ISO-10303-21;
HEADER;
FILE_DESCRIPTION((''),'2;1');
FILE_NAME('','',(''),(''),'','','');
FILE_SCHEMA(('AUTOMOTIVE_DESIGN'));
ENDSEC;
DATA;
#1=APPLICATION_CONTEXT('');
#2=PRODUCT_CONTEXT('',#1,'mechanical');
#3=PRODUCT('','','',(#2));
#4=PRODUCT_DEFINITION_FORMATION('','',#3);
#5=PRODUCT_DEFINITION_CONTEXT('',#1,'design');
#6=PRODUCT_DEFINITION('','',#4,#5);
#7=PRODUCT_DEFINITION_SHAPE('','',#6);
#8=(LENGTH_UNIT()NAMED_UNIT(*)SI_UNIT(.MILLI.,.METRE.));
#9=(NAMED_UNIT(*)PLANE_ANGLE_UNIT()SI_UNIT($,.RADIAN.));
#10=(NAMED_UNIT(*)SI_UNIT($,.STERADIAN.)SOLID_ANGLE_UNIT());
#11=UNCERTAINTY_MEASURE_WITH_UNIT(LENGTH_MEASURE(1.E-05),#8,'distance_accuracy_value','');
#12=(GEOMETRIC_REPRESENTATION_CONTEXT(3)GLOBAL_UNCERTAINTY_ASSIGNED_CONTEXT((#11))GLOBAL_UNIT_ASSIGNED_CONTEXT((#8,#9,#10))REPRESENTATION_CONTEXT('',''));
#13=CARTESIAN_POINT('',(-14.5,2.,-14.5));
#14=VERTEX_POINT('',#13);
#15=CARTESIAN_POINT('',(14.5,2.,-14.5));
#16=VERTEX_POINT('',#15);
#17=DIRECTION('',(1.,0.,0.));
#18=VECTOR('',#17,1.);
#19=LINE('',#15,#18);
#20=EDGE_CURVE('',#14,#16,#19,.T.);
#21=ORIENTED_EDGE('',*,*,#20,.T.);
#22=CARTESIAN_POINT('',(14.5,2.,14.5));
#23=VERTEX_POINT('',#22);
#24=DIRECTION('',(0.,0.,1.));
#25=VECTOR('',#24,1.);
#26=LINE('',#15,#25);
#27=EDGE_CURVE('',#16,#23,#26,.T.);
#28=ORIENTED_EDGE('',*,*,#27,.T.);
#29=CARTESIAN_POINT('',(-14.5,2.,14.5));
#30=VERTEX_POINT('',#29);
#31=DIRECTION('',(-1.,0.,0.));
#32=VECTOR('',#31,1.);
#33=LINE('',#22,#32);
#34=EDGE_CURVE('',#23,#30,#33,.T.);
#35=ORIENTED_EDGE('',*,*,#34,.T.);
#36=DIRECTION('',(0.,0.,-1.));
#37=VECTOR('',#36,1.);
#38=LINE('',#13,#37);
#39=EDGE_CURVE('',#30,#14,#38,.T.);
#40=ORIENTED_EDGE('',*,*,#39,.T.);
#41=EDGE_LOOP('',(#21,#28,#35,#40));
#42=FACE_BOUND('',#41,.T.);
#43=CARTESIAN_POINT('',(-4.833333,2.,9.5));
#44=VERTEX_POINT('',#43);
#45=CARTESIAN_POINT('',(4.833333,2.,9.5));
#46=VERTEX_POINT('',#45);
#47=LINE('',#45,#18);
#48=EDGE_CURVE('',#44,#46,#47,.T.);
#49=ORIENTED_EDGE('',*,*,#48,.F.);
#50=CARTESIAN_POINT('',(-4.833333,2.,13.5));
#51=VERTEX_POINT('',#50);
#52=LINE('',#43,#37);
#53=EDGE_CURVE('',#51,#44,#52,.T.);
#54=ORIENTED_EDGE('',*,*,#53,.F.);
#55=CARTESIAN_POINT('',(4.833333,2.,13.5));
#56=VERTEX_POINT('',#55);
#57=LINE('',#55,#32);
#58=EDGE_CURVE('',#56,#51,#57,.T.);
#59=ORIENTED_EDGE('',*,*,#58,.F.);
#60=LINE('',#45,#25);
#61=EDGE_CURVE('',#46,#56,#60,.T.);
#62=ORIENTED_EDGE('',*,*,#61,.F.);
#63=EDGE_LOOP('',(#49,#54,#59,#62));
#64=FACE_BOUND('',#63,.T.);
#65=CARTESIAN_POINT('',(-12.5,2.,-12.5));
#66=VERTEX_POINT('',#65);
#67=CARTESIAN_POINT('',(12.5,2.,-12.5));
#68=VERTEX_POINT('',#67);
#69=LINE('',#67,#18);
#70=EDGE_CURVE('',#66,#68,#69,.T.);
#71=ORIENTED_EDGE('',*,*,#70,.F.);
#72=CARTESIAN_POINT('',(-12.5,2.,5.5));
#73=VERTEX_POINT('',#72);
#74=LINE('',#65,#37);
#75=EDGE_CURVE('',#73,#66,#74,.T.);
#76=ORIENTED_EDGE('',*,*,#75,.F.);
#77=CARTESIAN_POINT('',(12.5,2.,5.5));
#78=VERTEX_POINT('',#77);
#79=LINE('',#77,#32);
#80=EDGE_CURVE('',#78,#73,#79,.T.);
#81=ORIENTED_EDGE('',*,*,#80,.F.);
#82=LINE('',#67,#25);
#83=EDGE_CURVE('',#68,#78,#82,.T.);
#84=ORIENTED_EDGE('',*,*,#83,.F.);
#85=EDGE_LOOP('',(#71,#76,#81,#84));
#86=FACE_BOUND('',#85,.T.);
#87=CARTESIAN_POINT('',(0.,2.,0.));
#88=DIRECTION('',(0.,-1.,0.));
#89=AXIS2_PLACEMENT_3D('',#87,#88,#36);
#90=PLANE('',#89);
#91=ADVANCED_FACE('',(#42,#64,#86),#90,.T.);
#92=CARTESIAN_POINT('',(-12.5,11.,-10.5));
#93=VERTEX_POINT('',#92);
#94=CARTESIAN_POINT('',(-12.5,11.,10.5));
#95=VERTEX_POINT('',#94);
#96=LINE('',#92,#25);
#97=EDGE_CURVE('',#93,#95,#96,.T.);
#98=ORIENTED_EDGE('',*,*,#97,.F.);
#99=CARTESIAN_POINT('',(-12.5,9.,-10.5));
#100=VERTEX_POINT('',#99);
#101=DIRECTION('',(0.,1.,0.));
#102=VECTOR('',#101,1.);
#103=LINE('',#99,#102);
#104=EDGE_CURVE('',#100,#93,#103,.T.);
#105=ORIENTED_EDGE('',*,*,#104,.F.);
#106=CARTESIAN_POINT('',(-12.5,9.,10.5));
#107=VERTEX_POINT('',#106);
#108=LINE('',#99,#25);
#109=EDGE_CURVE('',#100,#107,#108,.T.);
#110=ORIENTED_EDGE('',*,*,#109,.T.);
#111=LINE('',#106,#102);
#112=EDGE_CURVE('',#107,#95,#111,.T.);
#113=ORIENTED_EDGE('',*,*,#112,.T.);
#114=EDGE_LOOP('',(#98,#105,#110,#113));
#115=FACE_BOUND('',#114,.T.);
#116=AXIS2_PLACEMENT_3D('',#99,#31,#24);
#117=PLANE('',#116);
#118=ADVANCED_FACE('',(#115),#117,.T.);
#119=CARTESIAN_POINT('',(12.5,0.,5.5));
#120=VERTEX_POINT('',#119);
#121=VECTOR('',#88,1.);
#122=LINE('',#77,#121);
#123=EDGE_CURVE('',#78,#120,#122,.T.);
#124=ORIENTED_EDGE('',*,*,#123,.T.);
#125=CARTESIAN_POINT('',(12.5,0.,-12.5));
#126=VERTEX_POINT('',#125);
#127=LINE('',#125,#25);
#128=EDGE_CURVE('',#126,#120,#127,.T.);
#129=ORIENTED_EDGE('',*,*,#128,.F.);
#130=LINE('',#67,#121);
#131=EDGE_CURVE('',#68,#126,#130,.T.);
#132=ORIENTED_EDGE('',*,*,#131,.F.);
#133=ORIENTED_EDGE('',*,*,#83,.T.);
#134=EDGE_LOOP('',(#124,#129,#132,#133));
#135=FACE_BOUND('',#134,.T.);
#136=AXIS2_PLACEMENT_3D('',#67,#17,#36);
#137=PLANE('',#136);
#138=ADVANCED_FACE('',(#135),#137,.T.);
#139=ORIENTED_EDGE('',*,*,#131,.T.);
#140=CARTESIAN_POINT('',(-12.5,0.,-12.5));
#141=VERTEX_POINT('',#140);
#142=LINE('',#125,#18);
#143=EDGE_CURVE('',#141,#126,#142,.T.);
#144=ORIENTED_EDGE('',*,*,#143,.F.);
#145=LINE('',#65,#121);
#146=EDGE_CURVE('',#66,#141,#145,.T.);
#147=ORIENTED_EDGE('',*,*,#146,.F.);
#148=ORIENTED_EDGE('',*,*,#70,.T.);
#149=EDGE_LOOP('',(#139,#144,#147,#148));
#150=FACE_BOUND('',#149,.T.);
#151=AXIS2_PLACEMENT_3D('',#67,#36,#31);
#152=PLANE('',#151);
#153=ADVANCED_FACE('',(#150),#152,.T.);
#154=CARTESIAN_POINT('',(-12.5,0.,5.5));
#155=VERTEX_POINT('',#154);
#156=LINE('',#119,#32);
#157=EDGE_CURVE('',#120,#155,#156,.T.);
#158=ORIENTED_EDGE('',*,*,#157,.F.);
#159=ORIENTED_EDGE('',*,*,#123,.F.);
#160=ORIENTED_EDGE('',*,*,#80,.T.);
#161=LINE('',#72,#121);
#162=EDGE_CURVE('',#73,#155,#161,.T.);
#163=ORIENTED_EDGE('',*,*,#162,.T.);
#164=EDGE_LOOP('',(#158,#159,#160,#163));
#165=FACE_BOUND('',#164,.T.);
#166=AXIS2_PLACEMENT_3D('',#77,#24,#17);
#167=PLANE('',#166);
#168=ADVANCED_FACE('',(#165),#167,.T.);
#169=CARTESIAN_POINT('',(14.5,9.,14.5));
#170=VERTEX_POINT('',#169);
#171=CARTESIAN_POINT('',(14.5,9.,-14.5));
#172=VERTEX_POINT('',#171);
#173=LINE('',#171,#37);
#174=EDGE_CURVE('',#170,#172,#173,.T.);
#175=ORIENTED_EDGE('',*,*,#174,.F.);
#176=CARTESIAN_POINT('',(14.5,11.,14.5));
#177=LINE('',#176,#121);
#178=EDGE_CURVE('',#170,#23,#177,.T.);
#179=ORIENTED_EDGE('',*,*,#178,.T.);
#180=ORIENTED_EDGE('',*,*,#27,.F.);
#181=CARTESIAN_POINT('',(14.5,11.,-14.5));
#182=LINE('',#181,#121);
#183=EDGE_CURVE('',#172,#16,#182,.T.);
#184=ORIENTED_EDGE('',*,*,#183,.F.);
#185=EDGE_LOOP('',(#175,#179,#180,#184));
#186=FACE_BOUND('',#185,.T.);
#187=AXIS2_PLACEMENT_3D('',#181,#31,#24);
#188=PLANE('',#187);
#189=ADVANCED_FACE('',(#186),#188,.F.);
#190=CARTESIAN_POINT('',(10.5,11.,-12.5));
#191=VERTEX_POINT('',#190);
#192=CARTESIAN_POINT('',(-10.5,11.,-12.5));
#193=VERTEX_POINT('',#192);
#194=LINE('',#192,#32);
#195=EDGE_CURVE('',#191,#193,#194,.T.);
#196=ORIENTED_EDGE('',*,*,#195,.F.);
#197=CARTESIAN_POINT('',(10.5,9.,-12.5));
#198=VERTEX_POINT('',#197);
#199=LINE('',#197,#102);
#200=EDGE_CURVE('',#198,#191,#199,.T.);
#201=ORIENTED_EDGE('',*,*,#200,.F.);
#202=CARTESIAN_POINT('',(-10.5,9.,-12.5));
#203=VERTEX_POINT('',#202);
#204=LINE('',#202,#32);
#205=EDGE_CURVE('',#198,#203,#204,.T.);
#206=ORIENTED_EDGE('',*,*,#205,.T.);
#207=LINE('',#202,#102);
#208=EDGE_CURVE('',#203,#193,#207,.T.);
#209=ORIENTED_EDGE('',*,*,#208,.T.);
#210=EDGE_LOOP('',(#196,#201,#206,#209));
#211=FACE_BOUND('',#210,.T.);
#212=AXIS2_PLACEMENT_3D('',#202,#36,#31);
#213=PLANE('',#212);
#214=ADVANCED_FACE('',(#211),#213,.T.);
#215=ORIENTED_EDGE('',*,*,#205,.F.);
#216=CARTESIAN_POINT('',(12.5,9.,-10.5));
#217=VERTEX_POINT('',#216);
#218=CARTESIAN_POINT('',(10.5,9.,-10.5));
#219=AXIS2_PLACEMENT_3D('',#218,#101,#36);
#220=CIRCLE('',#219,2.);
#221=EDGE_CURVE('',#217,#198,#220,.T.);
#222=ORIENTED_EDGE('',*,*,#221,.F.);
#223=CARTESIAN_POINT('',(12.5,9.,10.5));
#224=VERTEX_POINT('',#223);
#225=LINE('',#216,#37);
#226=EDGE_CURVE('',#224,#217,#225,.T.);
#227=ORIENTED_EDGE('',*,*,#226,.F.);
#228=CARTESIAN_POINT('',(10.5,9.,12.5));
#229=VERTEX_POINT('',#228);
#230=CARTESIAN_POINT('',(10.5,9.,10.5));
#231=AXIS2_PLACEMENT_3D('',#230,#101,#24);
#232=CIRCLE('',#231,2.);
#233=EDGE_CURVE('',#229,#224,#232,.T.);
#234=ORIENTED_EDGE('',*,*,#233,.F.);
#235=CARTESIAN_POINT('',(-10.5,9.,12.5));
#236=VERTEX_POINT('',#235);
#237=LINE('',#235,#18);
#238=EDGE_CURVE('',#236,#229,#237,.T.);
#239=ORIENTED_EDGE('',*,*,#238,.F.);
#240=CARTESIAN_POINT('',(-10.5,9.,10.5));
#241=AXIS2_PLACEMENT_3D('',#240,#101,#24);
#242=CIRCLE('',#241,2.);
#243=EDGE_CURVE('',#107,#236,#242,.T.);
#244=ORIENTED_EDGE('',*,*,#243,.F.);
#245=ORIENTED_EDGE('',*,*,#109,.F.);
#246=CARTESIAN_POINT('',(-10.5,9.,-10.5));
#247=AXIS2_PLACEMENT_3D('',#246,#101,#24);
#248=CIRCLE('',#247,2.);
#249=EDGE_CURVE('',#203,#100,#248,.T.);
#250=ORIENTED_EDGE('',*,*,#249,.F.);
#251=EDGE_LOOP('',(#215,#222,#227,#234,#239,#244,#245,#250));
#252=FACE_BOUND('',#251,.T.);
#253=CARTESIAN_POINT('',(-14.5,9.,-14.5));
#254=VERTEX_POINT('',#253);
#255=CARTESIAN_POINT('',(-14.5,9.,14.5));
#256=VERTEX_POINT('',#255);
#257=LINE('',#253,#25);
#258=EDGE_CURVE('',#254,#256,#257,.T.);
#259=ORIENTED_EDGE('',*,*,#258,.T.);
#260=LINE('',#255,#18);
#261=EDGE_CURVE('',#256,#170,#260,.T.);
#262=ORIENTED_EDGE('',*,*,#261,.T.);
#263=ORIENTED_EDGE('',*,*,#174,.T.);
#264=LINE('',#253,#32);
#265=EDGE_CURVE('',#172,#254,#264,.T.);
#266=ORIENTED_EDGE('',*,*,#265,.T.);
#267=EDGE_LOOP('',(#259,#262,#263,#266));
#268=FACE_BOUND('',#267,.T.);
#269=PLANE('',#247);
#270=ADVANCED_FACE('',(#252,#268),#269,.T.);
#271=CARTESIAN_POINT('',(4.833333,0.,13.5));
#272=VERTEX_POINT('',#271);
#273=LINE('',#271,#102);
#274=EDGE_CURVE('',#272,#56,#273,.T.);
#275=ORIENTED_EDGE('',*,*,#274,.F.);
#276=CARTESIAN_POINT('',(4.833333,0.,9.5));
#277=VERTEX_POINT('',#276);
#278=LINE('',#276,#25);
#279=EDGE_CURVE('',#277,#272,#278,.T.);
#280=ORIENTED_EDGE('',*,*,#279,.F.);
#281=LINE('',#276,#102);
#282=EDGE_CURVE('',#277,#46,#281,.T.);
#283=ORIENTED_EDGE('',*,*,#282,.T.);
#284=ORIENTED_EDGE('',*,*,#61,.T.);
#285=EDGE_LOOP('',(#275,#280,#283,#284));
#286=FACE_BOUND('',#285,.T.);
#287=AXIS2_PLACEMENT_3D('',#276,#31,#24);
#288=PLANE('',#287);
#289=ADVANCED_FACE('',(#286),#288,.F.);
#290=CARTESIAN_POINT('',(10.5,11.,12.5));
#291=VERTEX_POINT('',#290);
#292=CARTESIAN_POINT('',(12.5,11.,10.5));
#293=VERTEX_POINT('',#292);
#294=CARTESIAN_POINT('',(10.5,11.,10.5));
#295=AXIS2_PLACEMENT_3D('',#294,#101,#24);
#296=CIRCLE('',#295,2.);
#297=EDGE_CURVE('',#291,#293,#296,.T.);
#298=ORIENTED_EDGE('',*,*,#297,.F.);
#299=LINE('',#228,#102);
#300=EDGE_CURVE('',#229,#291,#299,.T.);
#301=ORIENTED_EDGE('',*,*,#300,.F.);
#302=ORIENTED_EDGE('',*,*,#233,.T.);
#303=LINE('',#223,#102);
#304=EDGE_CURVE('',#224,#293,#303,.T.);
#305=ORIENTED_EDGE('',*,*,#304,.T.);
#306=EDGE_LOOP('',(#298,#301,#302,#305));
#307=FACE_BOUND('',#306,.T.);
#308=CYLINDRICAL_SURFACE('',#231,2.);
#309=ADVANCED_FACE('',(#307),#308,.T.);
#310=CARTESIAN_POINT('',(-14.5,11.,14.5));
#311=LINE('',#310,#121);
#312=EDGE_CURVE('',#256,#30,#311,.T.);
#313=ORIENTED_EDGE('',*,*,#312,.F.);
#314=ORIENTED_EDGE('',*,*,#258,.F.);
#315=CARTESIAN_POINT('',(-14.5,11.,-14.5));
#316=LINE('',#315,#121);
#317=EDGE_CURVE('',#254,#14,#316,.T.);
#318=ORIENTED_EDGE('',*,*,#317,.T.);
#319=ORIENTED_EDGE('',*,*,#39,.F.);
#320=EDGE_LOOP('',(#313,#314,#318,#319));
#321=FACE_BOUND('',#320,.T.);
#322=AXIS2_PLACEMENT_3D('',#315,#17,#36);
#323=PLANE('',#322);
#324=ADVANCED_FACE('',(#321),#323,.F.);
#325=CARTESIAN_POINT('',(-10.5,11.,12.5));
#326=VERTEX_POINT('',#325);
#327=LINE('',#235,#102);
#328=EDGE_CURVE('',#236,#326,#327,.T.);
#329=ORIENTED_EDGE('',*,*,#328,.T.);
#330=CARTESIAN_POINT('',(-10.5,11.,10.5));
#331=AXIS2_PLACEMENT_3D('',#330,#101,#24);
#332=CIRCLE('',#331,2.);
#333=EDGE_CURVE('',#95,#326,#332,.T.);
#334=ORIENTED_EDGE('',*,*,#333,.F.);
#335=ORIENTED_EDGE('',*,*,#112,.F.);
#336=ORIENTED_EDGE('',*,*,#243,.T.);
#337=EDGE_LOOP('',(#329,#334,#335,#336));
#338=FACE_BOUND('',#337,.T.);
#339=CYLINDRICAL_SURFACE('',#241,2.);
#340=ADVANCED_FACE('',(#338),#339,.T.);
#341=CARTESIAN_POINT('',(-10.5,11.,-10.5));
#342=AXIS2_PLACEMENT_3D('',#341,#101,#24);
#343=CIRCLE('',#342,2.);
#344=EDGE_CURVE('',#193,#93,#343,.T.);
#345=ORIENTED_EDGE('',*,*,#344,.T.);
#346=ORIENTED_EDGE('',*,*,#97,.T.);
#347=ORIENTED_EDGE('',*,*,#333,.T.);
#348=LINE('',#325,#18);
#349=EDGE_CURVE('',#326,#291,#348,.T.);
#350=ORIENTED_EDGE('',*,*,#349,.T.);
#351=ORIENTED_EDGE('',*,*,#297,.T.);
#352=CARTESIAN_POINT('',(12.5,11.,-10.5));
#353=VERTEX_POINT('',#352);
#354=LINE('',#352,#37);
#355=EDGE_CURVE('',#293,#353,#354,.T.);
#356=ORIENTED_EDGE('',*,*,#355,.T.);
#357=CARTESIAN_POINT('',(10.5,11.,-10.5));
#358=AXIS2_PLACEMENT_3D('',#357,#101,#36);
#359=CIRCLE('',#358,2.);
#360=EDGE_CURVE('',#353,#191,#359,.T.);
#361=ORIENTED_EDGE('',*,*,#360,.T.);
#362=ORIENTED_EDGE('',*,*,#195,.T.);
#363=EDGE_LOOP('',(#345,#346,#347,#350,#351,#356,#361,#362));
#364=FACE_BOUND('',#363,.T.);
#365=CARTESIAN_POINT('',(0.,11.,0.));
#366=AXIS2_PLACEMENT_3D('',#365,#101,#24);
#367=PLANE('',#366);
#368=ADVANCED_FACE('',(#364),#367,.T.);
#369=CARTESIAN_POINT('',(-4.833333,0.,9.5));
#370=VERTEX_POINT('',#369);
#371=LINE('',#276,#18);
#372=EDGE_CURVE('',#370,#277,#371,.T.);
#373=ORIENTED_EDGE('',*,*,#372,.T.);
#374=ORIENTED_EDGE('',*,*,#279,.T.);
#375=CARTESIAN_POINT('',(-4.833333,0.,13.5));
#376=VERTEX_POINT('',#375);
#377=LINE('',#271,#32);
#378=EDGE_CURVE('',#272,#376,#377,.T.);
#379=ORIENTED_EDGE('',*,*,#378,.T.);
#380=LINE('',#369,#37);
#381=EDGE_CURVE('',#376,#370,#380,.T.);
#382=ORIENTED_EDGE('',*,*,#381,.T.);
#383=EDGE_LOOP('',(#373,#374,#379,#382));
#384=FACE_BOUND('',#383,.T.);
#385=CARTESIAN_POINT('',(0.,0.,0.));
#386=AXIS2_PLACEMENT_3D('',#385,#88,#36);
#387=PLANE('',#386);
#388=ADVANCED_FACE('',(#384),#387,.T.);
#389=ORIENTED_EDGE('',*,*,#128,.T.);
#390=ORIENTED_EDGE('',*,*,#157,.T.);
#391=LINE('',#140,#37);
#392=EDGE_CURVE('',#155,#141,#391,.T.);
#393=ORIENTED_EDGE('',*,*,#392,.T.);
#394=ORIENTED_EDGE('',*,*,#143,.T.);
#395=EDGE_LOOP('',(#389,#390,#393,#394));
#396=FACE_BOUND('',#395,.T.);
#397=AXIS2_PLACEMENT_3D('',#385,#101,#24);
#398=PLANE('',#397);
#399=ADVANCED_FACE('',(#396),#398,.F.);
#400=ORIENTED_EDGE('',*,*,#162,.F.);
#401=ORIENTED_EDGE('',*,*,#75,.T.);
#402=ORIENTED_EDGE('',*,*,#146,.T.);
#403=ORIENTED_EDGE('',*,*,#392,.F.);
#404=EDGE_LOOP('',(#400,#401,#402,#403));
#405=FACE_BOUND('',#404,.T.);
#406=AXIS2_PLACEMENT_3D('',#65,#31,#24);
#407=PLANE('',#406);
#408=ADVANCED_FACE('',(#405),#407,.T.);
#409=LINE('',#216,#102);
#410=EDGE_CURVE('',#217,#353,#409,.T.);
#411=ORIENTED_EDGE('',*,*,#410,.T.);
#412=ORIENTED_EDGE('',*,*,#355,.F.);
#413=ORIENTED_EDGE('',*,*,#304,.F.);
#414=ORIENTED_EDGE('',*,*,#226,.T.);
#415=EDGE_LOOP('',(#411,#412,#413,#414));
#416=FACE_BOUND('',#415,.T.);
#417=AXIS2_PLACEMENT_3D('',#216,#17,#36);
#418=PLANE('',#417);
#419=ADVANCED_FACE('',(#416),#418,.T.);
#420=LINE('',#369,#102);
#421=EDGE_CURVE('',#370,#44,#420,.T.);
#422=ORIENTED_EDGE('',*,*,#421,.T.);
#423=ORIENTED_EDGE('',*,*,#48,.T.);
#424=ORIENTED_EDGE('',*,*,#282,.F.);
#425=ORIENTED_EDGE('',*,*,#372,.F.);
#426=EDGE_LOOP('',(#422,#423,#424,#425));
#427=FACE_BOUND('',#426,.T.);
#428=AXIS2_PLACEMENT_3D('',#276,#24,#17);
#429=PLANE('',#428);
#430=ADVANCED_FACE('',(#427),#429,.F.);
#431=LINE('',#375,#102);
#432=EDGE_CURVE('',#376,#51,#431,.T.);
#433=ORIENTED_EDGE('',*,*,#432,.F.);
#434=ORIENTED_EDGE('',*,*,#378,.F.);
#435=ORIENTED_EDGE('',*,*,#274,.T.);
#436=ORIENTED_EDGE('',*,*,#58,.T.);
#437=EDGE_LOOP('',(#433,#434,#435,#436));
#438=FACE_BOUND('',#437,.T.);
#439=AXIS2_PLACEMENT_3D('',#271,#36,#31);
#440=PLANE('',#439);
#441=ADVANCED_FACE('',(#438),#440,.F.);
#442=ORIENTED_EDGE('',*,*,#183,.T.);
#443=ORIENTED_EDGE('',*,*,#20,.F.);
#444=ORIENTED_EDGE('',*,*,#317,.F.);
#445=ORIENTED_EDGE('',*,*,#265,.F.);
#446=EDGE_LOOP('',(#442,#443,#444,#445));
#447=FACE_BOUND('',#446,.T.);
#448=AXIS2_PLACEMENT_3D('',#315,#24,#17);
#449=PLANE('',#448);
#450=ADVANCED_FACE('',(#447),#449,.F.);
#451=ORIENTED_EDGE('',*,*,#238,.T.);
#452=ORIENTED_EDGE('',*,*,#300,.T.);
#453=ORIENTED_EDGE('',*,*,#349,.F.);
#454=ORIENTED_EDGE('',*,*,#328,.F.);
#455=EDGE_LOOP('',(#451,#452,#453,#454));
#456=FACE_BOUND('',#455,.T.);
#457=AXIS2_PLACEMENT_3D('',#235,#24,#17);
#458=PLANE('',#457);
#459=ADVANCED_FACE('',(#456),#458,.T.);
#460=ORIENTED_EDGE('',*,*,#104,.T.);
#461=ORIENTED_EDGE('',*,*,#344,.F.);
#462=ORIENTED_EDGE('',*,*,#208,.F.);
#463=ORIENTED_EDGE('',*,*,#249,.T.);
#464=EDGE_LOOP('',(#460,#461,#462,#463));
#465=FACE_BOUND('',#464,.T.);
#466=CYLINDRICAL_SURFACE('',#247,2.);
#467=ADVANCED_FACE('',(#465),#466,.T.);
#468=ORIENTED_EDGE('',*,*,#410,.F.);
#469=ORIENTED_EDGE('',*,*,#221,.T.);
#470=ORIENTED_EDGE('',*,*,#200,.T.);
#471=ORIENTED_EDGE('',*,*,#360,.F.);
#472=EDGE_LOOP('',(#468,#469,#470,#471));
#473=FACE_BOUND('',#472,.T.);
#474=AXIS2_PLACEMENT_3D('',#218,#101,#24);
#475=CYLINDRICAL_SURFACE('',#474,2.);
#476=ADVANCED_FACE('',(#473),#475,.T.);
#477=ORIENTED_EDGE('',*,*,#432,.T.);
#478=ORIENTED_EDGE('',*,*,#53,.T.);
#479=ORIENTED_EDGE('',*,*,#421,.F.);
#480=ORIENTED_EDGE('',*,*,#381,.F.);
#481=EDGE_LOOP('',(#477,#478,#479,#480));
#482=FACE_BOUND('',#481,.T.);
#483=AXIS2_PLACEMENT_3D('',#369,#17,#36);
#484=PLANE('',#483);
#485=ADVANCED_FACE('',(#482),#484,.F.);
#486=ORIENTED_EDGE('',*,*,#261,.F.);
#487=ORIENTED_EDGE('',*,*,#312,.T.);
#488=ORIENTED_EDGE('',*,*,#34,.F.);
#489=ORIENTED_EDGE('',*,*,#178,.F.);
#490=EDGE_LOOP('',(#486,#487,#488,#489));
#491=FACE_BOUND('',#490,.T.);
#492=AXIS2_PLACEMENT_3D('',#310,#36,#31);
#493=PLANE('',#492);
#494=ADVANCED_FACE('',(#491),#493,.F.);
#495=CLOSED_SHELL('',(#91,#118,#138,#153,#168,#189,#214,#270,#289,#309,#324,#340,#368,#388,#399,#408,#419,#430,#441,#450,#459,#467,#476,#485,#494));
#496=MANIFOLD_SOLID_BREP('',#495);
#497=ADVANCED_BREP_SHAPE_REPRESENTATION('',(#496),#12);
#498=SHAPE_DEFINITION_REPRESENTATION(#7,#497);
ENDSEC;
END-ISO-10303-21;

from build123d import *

# Parameters (mm, degrees)
SKETCH1_W           = 29
SKETCH1_H           = 29
BOSS_EXTRUDE1_DEPTH = 11
CUT_EXTRUDE1_DEPTH  = 2
SKETCH3_W           = 29
SKETCH3_H           = 29
SKETCH3_W_2         = 25
SKETCH3_H_2         = 18
CUT_EXTRUDE2_DEPTH  = 2
SKETCH4_W           = 9.666666666
SKETCH4_H           = 4
BOSS_EXTRUDE2_DEPTH = 2


with BuildPart() as part:
    # Sketch1 → Boss-Extrude1 (new body)
    with BuildSketch(Plane(origin=(0, 0, 0), x_dir=(1, 0, 0), z_dir=(0, 1, 0))):
        Rectangle(SKETCH1_W, SKETCH1_H)
    extrude(amount=BOSS_EXTRUDE1_DEPTH)

    # Sketch2 → Cut-Extrude1 (cut)
    with BuildSketch(Plane(origin=(0, 11, 0), x_dir=(1, 0, 0), z_dir=(0, 1, 0))):
        with BuildLine():
            Line((-10.5, 17.5), (10.5, 17.5))
            ThreePointArc((10.5, 17.5), (15.449747468, 15.449747468), (17.5, 10.5))
            Line((17.5, 10.5), (17.5, -10.5))
            ThreePointArc((17.5, -10.5), (15.449747468, -15.449747468), (10.5, -17.5))
            Line((10.5, -17.5), (-10.5, -17.5))
            ThreePointArc((-10.5, -17.5), (-15.449747468, -15.449747468), (-17.5, -10.5))
            Line((-17.5, -10.5), (-17.5, 10.5))
            ThreePointArc((-17.5, 10.5), (-15.449747468, 15.449747468), (-10.5, 17.5))
        make_face()
        with BuildLine():
            Line((-10.5, 12.5), (10.5, 12.5))
            ThreePointArc((10.5, 12.5), (11.914213562, 11.914213562), (12.5, 10.5))
            Line((12.5, 10.5), (12.5, -10.5))
            ThreePointArc((12.5, -10.5), (11.914213562, -11.914213562), (10.5, -12.5))
            Line((10.5, -12.5), (-10.5, -12.5))
            ThreePointArc((-10.5, -12.5), (-11.914213562, -11.914213562), (-12.5, -10.5))
            Line((-12.5, -10.5), (-12.5, 10.5))
            ThreePointArc((-12.5, 10.5), (-11.914213562, 11.914213562), (-10.5, 12.5))
        make_face(mode=Mode.SUBTRACT)
    extrude(amount=-CUT_EXTRUDE1_DEPTH, mode=Mode.SUBTRACT)

    # Sketch3 → Cut-Extrude2 (cut)
    with BuildSketch(Plane(origin=(0, 0, 0), x_dir=(-1, 0, 0), z_dir=(0, -1, 0))):
        Rectangle(SKETCH3_W, SKETCH3_H)
        with Locations((0, 3.5)):
            Rectangle(SKETCH3_W_2, SKETCH3_H_2, mode=Mode.SUBTRACT)
    extrude(amount=-CUT_EXTRUDE2_DEPTH, mode=Mode.SUBTRACT)

    # Sketch4 → Boss-Extrude2 (add)
    with BuildSketch(Plane.XZ.offset(-2)):
        with Locations((0, 11.5)):
            Rectangle(SKETCH4_W, SKETCH4_H)
    extrude(amount=BOSS_EXTRUDE2_DEPTH)


solid = part.part
